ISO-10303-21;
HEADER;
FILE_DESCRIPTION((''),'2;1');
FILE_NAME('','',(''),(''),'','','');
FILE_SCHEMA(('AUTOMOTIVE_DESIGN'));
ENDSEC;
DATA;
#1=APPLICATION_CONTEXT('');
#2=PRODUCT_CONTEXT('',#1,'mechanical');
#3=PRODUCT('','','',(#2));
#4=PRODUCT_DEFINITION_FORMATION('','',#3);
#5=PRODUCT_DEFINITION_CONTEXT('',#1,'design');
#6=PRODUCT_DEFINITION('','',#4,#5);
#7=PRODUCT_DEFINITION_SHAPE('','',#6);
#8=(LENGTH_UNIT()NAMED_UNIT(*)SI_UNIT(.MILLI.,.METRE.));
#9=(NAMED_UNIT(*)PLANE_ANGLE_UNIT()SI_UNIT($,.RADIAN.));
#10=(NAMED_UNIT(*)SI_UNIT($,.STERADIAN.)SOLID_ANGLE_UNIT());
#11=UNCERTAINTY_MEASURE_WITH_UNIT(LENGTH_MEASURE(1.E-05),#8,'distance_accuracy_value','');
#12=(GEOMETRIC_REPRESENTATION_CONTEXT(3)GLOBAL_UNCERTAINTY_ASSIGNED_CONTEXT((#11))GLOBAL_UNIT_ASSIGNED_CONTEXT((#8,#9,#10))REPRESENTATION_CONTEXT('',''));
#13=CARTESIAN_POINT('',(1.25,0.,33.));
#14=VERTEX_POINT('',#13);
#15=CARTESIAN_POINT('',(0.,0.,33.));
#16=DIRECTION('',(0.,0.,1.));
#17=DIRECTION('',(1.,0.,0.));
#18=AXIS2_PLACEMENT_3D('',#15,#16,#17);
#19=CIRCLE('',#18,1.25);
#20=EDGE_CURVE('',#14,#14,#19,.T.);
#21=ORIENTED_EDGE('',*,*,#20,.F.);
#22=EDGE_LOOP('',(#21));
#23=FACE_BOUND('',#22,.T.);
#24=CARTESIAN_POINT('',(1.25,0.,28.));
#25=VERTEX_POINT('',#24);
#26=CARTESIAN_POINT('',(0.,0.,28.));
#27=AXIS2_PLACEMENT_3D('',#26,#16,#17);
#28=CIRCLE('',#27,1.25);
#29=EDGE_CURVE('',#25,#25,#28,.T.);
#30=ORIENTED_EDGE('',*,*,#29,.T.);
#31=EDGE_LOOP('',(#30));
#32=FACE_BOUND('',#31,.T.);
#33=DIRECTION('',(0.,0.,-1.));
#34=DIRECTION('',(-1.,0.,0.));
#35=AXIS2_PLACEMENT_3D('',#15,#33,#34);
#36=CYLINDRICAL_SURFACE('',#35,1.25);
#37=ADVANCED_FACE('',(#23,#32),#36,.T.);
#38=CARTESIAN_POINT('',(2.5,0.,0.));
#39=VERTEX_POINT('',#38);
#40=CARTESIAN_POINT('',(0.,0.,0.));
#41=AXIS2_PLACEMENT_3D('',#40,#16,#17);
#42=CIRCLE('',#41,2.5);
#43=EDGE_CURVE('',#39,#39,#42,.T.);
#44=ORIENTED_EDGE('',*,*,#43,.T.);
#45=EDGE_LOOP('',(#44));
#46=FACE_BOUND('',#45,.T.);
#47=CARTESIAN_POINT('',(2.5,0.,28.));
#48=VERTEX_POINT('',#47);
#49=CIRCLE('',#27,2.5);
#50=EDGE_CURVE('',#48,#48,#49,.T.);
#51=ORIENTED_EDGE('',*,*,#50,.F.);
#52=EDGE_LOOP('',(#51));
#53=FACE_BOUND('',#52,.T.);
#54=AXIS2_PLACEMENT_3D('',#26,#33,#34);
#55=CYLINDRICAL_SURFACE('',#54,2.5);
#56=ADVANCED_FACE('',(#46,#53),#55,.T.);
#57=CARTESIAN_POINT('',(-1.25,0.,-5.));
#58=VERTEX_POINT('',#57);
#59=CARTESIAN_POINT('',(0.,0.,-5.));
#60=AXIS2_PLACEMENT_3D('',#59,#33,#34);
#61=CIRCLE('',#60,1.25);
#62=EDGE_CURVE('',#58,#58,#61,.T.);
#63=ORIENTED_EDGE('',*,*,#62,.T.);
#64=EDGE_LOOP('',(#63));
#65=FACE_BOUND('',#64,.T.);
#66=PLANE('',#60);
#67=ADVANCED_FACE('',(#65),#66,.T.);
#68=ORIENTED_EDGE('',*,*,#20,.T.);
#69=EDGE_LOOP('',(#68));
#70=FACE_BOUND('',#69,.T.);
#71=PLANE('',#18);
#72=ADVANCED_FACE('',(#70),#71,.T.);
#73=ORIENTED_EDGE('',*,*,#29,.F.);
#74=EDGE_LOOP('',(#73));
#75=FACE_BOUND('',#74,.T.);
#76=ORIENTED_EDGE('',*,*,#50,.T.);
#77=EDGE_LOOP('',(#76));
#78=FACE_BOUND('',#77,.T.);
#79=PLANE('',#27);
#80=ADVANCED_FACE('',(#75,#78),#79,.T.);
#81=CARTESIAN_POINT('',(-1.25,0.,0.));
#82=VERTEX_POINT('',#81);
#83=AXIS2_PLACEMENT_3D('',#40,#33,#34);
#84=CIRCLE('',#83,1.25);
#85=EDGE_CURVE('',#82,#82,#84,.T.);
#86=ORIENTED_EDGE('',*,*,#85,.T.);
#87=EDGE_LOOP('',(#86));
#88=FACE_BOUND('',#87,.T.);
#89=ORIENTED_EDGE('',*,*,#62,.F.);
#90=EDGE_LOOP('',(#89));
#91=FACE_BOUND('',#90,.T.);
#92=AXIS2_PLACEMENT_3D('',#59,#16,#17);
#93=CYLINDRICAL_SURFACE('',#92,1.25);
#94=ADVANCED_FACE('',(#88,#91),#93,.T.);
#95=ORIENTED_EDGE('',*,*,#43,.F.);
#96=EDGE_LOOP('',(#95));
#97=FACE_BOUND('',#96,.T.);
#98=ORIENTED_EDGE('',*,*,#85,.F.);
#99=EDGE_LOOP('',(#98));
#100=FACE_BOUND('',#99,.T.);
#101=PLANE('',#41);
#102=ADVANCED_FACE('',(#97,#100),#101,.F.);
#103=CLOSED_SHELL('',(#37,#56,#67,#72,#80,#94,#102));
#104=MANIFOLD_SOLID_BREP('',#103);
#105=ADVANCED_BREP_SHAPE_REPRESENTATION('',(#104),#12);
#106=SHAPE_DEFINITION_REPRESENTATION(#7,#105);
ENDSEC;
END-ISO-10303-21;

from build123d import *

# Parameters (mm, degrees)
SKETCH1_R           = 2.5
BOSS_EXTRUDE1_DEPTH = 28
SKETCH2_R           = 1.25
BOSS_EXTRUDE2_DEPTH = 5
BOSS_EXTRUDE3_START = 5
SKETCH3_R           = 1.25
BOSS_EXTRUDE3_DEPTH = 5


with BuildPart() as part:
    # Sketch1 → Boss-Extrude1 (new body)
    with BuildSketch(Plane.XY):
        Circle(SKETCH1_R)
    extrude(amount=BOSS_EXTRUDE1_DEPTH)

    # Sketch2 → Boss-Extrude2 (add)
    with BuildSketch(Plane.XY.offset(28)):
        Circle(SKETCH2_R)
    extrude(amount=BOSS_EXTRUDE2_DEPTH)

    # Sketch3 → Boss-Extrude3 (add)
    with BuildSketch(Plane(origin=(0, 0, 0), x_dir=(-1, 0, 0), z_dir=(0, 0, -1)).offset(BOSS_EXTRUDE3_START)):
        with Locations(Location((0, 0, 0), (0, 0, 180))):
            Circle(SKETCH3_R)
    extrude(amount=-BOSS_EXTRUDE3_DEPTH)


solid = part.part
